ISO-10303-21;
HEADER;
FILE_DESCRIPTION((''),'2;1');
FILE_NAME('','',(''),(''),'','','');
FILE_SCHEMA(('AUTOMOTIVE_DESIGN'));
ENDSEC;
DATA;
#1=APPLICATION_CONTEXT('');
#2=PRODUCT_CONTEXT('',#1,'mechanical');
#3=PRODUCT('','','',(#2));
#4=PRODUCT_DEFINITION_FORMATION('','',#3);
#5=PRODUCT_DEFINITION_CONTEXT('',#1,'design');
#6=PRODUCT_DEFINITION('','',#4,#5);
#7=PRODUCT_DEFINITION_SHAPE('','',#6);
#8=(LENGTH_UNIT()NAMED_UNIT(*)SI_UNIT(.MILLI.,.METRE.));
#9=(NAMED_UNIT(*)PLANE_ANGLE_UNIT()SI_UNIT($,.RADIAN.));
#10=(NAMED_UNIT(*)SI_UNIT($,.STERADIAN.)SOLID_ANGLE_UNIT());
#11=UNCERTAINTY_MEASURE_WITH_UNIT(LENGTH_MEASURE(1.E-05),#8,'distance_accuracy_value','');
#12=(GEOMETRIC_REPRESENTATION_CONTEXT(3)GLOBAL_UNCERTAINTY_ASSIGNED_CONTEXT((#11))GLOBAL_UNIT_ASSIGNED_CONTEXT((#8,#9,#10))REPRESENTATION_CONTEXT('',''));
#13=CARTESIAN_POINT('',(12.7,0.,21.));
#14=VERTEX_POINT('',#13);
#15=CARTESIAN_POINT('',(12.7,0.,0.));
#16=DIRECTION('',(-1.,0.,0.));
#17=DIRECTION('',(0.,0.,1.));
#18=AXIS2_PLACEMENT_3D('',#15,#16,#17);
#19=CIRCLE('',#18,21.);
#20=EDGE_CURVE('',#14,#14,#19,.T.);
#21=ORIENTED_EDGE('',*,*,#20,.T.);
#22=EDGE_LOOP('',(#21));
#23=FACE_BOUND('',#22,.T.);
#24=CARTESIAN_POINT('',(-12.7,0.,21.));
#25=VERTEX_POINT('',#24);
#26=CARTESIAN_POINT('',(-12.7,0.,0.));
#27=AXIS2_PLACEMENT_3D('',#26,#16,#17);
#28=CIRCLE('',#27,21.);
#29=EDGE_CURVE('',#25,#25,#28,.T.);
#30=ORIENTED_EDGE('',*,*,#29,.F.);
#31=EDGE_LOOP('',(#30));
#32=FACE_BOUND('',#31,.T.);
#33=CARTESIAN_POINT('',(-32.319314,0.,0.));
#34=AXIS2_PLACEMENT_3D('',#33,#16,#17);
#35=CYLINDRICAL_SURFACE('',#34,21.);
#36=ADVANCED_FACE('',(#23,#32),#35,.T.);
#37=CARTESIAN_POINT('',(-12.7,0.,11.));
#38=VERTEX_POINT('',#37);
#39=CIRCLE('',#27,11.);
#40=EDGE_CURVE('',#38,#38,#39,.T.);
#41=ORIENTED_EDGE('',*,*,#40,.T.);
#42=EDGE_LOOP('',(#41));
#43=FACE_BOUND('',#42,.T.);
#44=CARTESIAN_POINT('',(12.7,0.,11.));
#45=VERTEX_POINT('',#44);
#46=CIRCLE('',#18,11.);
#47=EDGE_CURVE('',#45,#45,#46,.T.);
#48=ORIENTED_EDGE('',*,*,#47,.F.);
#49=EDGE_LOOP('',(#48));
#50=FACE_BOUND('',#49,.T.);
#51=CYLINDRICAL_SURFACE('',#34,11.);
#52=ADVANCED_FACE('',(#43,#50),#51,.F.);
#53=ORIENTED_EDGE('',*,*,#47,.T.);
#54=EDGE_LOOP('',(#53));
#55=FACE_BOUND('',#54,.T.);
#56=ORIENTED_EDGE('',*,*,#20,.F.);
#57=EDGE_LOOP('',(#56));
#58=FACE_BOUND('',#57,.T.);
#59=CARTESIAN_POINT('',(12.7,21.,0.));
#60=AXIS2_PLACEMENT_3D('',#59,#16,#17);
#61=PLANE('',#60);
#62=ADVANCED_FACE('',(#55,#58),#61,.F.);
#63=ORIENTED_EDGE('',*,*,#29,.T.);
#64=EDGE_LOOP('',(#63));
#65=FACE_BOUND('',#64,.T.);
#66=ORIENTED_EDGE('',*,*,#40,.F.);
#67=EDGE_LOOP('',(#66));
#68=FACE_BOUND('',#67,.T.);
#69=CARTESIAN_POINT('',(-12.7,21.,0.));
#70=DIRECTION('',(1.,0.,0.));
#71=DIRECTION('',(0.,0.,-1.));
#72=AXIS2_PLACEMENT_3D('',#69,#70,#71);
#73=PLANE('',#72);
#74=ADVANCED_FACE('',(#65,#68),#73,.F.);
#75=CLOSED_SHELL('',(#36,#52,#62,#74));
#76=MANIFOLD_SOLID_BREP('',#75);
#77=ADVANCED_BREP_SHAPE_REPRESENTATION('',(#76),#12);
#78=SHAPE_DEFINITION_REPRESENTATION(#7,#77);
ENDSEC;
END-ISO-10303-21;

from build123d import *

# Parameters (mm, degrees)
SKETCH1_W = 25.4
SKETCH1_H = 10


with BuildPart() as part:
    # Sketch1 → Revolve1 (revolve)
    with BuildSketch(Plane.XY, mode=Mode.PRIVATE) as revolve1_sk:
        with Locations((0, 16)):
            Rectangle(SKETCH1_W, SKETCH1_H)
    revolve(revolve1_sk.sketch.rotate(Axis((-32.319313559, 0, 0), (1, 0, 0)), 90), axis=Axis((-32.319313559, 0, 0), (1, 0, 0)))


solid = part.part
